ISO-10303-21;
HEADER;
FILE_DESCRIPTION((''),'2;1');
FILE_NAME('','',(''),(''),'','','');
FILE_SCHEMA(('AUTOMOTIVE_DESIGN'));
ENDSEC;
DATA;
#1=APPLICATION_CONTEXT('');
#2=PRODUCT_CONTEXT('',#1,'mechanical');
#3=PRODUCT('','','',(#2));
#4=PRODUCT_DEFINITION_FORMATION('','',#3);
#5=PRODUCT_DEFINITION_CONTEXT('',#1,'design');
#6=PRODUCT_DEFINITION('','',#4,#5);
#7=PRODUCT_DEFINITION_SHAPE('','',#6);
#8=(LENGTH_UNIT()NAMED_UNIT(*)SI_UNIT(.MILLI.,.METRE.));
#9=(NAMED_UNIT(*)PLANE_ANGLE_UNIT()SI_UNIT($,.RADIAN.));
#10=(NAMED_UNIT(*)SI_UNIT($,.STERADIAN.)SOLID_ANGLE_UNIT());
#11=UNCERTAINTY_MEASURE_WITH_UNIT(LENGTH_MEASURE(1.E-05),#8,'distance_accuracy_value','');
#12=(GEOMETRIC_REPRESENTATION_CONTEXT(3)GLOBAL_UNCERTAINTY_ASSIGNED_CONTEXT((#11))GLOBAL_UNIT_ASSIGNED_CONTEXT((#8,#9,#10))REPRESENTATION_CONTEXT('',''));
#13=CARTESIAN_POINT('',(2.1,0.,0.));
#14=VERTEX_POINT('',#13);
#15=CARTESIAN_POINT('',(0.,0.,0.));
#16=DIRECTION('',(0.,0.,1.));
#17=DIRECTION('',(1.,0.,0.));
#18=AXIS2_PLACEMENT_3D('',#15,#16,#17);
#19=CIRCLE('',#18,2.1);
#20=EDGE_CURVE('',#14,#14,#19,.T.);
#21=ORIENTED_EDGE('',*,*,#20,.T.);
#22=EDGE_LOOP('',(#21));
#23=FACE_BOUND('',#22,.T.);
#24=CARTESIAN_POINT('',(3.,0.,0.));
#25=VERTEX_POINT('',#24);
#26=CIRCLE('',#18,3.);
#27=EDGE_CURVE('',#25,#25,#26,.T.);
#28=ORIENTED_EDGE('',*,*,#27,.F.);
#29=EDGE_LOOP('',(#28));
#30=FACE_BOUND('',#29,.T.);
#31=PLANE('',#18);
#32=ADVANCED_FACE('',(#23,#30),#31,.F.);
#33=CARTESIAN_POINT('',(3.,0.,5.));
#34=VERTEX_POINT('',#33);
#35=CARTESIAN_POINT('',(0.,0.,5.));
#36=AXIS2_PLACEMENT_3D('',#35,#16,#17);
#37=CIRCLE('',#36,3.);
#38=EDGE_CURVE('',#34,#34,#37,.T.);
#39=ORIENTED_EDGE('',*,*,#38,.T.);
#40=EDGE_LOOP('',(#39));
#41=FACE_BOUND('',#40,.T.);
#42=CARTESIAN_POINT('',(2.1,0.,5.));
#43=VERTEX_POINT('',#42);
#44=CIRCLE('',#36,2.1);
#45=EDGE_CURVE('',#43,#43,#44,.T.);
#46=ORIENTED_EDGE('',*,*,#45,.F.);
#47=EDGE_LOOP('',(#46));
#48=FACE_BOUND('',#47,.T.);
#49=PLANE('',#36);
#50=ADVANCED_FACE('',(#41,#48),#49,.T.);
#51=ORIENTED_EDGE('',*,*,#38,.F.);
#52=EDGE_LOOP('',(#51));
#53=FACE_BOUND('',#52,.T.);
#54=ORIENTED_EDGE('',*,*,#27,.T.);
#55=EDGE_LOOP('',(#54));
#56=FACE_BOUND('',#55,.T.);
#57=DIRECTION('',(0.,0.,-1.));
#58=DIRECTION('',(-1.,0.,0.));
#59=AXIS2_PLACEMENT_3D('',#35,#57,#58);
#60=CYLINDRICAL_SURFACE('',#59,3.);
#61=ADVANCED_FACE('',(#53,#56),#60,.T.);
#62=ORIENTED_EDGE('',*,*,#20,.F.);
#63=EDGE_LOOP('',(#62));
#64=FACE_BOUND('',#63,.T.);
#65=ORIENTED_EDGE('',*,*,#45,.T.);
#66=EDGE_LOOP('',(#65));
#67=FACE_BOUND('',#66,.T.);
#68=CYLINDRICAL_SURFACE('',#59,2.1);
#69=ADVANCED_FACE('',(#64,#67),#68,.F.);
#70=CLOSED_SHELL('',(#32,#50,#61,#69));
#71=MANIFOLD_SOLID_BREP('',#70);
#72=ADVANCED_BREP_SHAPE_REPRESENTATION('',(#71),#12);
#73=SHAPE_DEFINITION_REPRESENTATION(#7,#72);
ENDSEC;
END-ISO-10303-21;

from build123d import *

# Parameters (mm, degrees)
SKETCH_1_R      = 3
SKETCH_1_R_2    = 2.1
EXTRUDE_1_DEPTH = 5


with BuildPart() as part:
    # ｽｹｯﾁ1 → ﾎﾞｽ - 押し出し1 (new body)
    with BuildSketch(Plane.XY):
        Circle(SKETCH_1_R)
        Circle(SKETCH_1_R_2, mode=Mode.SUBTRACT)
    extrude(amount=EXTRUDE_1_DEPTH)


solid = part.part
